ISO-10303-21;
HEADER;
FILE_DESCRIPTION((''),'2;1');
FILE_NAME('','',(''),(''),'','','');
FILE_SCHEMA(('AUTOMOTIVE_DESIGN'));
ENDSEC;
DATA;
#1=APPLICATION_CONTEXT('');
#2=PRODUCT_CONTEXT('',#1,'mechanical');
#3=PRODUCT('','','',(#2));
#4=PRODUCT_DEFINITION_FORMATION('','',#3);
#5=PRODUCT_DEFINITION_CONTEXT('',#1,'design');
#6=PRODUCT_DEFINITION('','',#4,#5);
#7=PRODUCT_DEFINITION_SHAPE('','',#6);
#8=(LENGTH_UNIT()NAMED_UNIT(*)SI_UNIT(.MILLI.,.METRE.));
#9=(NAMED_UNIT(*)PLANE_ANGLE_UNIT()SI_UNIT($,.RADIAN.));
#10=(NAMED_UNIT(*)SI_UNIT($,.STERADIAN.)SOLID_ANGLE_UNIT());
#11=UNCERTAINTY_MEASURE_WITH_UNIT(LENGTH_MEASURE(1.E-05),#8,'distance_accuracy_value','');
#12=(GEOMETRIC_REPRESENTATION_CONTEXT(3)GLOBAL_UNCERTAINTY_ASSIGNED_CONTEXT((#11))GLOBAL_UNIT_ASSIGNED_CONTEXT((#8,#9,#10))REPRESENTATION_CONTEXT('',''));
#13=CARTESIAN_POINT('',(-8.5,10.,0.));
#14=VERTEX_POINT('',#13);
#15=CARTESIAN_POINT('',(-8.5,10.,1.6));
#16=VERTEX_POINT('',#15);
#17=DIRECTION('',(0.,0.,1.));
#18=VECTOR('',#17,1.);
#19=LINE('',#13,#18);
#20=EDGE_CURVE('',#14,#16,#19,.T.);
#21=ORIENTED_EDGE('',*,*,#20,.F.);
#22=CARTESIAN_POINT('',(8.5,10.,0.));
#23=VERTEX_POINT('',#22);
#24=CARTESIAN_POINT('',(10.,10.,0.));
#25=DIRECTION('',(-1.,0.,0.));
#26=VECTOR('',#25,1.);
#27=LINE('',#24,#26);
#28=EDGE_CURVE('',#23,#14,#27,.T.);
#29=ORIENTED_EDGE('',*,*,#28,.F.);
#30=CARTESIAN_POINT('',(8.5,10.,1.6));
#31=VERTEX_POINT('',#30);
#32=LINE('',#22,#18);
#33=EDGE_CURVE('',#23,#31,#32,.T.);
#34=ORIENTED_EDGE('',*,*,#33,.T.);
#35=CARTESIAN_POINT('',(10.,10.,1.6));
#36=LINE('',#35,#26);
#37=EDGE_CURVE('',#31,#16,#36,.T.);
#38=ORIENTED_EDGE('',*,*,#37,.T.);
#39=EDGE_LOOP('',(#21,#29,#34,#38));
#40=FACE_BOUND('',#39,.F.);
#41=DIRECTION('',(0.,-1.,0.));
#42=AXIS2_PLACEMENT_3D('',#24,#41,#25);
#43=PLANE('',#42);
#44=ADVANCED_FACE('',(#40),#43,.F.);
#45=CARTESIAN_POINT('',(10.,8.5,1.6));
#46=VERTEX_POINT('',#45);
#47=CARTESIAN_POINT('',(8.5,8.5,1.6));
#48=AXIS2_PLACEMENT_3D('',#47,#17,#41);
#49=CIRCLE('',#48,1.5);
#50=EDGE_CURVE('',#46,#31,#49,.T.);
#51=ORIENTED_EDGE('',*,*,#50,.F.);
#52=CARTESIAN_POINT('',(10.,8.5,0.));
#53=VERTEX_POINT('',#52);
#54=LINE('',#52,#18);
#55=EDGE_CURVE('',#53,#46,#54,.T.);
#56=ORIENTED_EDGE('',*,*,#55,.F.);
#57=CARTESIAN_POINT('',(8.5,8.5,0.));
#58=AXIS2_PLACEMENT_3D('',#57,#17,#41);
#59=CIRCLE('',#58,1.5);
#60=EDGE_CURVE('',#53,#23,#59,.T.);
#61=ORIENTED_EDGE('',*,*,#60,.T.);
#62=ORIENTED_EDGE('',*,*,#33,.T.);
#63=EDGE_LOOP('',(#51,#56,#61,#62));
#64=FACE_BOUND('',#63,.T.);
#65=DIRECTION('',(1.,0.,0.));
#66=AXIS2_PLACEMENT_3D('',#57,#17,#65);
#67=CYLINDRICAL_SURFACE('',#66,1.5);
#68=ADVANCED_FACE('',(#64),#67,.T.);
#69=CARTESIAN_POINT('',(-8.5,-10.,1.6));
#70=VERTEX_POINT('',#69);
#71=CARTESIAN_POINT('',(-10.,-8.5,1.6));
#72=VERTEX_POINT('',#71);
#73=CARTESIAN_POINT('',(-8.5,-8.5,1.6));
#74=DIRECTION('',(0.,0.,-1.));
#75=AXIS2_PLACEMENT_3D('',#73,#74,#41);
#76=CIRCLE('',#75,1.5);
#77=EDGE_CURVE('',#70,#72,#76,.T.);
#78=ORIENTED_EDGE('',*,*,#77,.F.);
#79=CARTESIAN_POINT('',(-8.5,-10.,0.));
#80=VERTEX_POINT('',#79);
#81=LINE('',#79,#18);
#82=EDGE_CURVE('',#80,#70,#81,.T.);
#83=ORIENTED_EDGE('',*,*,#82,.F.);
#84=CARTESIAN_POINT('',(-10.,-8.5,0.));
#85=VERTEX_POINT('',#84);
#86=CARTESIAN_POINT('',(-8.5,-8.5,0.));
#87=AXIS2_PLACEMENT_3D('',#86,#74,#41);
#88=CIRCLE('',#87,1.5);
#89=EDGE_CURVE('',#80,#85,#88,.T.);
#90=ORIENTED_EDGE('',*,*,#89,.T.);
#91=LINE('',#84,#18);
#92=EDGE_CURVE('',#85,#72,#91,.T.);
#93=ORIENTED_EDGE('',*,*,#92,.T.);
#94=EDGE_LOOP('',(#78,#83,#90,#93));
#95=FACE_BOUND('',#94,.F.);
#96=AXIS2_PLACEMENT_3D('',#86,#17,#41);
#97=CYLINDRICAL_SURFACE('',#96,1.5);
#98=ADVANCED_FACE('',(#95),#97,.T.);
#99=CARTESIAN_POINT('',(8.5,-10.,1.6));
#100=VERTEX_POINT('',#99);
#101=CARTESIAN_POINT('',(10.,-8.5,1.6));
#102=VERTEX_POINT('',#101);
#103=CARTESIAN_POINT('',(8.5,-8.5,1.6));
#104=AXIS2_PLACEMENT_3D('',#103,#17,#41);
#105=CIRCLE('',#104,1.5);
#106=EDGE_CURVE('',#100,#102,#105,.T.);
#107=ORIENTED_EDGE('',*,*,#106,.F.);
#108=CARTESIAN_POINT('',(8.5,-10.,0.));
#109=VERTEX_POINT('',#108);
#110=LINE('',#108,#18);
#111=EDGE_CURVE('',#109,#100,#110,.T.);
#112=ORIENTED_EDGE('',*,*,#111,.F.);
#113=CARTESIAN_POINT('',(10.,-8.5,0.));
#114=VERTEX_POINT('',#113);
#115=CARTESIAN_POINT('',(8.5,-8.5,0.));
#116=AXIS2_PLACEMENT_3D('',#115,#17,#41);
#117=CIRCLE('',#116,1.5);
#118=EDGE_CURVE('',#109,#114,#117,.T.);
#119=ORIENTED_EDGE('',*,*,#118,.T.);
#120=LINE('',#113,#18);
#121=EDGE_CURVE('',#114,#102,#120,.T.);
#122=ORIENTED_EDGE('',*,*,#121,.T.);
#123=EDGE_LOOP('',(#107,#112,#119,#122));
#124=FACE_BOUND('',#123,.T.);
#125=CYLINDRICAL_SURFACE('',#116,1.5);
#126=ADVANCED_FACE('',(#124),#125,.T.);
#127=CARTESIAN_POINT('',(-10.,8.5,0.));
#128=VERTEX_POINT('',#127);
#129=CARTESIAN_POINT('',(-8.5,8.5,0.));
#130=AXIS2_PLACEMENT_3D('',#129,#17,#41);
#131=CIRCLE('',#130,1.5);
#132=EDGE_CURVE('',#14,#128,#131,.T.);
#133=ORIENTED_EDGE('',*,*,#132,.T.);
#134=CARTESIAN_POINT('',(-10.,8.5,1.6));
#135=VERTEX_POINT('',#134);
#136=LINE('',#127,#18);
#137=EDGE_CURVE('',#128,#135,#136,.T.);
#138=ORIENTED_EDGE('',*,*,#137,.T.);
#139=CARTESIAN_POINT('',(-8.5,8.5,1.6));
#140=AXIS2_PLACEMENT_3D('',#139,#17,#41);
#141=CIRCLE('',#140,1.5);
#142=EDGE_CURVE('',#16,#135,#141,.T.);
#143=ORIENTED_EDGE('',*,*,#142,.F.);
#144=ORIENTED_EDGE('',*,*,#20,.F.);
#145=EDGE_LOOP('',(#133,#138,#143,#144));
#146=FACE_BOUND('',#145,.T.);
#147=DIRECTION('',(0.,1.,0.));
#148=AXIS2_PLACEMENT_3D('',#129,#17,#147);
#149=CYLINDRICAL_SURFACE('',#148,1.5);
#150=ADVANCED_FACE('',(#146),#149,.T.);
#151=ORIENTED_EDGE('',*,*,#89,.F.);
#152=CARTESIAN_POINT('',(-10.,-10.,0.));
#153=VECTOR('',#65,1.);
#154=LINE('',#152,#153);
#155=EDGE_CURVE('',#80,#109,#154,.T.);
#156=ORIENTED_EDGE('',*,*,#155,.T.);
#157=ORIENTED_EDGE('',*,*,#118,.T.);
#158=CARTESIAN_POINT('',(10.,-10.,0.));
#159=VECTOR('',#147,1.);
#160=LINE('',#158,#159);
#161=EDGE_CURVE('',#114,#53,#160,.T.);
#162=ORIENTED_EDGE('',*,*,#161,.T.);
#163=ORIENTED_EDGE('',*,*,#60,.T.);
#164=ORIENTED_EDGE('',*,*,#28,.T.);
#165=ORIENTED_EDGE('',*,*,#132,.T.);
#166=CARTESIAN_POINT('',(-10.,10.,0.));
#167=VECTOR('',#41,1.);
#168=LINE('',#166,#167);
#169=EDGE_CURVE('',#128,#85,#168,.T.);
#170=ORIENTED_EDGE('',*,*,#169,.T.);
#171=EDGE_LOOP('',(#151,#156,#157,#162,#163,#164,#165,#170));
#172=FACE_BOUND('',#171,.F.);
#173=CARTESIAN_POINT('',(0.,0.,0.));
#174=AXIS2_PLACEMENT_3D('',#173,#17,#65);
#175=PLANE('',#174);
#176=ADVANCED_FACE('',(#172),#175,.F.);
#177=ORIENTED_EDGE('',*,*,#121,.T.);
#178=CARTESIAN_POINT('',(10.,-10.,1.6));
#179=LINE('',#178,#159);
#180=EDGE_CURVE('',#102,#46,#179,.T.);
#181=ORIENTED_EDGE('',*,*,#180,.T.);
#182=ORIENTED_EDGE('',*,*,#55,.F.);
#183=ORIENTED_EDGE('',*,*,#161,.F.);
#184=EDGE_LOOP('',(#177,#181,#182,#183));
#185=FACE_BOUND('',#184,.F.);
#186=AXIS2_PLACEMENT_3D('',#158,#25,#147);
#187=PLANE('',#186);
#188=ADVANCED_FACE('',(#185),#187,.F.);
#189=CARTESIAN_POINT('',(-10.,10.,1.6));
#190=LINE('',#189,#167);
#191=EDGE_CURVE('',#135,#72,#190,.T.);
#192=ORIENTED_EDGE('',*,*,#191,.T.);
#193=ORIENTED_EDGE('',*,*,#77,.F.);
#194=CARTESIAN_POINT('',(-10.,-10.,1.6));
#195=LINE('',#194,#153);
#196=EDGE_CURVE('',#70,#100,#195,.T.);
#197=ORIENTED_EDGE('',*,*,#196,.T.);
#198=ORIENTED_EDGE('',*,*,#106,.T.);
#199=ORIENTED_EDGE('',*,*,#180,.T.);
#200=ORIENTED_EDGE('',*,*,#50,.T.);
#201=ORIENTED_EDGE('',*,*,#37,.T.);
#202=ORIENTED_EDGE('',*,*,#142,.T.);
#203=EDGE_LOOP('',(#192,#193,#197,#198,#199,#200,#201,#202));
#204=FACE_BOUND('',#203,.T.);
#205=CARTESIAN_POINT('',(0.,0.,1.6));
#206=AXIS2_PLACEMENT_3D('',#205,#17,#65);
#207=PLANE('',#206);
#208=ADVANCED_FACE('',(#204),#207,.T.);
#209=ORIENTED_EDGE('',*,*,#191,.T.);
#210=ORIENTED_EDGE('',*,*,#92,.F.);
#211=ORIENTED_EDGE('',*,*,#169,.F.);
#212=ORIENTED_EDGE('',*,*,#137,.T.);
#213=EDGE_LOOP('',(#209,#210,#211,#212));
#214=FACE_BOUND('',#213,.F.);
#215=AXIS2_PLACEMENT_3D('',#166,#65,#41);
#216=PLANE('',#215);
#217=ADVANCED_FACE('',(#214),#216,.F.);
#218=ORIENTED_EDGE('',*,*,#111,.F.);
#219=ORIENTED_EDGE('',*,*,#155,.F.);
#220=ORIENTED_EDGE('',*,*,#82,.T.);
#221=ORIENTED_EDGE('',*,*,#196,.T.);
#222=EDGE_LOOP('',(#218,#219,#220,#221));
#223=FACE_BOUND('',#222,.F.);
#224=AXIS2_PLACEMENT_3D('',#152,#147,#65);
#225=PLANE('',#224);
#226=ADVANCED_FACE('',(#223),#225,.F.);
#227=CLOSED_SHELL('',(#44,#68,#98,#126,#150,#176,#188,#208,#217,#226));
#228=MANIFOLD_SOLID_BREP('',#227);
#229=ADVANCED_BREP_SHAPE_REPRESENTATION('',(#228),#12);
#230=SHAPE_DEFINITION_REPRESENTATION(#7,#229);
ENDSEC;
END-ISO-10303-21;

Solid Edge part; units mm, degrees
sketch "Sketch1" plane through (0, 0, 0) normal (0, 0, 1) x (1, 0, 0)
  line L0 (-10, -10) -> (10, -10)
  line L1 (10, -10) -> (10, 10)
  line L2 (10, 10) -> (-10, 10)
  line L3 (-10, 10) -> (-10, -10)
  dimension "D1" = 20
extrude "Protrusion1" add sketch "Sketch1" along normal blind 1.6
fillet "Round_1" radius 1.5 4 edges at (-10, -10, 0.8) (10, -10, 0.8) (10, 10, 0.8) (-10, 10, 0.8)
